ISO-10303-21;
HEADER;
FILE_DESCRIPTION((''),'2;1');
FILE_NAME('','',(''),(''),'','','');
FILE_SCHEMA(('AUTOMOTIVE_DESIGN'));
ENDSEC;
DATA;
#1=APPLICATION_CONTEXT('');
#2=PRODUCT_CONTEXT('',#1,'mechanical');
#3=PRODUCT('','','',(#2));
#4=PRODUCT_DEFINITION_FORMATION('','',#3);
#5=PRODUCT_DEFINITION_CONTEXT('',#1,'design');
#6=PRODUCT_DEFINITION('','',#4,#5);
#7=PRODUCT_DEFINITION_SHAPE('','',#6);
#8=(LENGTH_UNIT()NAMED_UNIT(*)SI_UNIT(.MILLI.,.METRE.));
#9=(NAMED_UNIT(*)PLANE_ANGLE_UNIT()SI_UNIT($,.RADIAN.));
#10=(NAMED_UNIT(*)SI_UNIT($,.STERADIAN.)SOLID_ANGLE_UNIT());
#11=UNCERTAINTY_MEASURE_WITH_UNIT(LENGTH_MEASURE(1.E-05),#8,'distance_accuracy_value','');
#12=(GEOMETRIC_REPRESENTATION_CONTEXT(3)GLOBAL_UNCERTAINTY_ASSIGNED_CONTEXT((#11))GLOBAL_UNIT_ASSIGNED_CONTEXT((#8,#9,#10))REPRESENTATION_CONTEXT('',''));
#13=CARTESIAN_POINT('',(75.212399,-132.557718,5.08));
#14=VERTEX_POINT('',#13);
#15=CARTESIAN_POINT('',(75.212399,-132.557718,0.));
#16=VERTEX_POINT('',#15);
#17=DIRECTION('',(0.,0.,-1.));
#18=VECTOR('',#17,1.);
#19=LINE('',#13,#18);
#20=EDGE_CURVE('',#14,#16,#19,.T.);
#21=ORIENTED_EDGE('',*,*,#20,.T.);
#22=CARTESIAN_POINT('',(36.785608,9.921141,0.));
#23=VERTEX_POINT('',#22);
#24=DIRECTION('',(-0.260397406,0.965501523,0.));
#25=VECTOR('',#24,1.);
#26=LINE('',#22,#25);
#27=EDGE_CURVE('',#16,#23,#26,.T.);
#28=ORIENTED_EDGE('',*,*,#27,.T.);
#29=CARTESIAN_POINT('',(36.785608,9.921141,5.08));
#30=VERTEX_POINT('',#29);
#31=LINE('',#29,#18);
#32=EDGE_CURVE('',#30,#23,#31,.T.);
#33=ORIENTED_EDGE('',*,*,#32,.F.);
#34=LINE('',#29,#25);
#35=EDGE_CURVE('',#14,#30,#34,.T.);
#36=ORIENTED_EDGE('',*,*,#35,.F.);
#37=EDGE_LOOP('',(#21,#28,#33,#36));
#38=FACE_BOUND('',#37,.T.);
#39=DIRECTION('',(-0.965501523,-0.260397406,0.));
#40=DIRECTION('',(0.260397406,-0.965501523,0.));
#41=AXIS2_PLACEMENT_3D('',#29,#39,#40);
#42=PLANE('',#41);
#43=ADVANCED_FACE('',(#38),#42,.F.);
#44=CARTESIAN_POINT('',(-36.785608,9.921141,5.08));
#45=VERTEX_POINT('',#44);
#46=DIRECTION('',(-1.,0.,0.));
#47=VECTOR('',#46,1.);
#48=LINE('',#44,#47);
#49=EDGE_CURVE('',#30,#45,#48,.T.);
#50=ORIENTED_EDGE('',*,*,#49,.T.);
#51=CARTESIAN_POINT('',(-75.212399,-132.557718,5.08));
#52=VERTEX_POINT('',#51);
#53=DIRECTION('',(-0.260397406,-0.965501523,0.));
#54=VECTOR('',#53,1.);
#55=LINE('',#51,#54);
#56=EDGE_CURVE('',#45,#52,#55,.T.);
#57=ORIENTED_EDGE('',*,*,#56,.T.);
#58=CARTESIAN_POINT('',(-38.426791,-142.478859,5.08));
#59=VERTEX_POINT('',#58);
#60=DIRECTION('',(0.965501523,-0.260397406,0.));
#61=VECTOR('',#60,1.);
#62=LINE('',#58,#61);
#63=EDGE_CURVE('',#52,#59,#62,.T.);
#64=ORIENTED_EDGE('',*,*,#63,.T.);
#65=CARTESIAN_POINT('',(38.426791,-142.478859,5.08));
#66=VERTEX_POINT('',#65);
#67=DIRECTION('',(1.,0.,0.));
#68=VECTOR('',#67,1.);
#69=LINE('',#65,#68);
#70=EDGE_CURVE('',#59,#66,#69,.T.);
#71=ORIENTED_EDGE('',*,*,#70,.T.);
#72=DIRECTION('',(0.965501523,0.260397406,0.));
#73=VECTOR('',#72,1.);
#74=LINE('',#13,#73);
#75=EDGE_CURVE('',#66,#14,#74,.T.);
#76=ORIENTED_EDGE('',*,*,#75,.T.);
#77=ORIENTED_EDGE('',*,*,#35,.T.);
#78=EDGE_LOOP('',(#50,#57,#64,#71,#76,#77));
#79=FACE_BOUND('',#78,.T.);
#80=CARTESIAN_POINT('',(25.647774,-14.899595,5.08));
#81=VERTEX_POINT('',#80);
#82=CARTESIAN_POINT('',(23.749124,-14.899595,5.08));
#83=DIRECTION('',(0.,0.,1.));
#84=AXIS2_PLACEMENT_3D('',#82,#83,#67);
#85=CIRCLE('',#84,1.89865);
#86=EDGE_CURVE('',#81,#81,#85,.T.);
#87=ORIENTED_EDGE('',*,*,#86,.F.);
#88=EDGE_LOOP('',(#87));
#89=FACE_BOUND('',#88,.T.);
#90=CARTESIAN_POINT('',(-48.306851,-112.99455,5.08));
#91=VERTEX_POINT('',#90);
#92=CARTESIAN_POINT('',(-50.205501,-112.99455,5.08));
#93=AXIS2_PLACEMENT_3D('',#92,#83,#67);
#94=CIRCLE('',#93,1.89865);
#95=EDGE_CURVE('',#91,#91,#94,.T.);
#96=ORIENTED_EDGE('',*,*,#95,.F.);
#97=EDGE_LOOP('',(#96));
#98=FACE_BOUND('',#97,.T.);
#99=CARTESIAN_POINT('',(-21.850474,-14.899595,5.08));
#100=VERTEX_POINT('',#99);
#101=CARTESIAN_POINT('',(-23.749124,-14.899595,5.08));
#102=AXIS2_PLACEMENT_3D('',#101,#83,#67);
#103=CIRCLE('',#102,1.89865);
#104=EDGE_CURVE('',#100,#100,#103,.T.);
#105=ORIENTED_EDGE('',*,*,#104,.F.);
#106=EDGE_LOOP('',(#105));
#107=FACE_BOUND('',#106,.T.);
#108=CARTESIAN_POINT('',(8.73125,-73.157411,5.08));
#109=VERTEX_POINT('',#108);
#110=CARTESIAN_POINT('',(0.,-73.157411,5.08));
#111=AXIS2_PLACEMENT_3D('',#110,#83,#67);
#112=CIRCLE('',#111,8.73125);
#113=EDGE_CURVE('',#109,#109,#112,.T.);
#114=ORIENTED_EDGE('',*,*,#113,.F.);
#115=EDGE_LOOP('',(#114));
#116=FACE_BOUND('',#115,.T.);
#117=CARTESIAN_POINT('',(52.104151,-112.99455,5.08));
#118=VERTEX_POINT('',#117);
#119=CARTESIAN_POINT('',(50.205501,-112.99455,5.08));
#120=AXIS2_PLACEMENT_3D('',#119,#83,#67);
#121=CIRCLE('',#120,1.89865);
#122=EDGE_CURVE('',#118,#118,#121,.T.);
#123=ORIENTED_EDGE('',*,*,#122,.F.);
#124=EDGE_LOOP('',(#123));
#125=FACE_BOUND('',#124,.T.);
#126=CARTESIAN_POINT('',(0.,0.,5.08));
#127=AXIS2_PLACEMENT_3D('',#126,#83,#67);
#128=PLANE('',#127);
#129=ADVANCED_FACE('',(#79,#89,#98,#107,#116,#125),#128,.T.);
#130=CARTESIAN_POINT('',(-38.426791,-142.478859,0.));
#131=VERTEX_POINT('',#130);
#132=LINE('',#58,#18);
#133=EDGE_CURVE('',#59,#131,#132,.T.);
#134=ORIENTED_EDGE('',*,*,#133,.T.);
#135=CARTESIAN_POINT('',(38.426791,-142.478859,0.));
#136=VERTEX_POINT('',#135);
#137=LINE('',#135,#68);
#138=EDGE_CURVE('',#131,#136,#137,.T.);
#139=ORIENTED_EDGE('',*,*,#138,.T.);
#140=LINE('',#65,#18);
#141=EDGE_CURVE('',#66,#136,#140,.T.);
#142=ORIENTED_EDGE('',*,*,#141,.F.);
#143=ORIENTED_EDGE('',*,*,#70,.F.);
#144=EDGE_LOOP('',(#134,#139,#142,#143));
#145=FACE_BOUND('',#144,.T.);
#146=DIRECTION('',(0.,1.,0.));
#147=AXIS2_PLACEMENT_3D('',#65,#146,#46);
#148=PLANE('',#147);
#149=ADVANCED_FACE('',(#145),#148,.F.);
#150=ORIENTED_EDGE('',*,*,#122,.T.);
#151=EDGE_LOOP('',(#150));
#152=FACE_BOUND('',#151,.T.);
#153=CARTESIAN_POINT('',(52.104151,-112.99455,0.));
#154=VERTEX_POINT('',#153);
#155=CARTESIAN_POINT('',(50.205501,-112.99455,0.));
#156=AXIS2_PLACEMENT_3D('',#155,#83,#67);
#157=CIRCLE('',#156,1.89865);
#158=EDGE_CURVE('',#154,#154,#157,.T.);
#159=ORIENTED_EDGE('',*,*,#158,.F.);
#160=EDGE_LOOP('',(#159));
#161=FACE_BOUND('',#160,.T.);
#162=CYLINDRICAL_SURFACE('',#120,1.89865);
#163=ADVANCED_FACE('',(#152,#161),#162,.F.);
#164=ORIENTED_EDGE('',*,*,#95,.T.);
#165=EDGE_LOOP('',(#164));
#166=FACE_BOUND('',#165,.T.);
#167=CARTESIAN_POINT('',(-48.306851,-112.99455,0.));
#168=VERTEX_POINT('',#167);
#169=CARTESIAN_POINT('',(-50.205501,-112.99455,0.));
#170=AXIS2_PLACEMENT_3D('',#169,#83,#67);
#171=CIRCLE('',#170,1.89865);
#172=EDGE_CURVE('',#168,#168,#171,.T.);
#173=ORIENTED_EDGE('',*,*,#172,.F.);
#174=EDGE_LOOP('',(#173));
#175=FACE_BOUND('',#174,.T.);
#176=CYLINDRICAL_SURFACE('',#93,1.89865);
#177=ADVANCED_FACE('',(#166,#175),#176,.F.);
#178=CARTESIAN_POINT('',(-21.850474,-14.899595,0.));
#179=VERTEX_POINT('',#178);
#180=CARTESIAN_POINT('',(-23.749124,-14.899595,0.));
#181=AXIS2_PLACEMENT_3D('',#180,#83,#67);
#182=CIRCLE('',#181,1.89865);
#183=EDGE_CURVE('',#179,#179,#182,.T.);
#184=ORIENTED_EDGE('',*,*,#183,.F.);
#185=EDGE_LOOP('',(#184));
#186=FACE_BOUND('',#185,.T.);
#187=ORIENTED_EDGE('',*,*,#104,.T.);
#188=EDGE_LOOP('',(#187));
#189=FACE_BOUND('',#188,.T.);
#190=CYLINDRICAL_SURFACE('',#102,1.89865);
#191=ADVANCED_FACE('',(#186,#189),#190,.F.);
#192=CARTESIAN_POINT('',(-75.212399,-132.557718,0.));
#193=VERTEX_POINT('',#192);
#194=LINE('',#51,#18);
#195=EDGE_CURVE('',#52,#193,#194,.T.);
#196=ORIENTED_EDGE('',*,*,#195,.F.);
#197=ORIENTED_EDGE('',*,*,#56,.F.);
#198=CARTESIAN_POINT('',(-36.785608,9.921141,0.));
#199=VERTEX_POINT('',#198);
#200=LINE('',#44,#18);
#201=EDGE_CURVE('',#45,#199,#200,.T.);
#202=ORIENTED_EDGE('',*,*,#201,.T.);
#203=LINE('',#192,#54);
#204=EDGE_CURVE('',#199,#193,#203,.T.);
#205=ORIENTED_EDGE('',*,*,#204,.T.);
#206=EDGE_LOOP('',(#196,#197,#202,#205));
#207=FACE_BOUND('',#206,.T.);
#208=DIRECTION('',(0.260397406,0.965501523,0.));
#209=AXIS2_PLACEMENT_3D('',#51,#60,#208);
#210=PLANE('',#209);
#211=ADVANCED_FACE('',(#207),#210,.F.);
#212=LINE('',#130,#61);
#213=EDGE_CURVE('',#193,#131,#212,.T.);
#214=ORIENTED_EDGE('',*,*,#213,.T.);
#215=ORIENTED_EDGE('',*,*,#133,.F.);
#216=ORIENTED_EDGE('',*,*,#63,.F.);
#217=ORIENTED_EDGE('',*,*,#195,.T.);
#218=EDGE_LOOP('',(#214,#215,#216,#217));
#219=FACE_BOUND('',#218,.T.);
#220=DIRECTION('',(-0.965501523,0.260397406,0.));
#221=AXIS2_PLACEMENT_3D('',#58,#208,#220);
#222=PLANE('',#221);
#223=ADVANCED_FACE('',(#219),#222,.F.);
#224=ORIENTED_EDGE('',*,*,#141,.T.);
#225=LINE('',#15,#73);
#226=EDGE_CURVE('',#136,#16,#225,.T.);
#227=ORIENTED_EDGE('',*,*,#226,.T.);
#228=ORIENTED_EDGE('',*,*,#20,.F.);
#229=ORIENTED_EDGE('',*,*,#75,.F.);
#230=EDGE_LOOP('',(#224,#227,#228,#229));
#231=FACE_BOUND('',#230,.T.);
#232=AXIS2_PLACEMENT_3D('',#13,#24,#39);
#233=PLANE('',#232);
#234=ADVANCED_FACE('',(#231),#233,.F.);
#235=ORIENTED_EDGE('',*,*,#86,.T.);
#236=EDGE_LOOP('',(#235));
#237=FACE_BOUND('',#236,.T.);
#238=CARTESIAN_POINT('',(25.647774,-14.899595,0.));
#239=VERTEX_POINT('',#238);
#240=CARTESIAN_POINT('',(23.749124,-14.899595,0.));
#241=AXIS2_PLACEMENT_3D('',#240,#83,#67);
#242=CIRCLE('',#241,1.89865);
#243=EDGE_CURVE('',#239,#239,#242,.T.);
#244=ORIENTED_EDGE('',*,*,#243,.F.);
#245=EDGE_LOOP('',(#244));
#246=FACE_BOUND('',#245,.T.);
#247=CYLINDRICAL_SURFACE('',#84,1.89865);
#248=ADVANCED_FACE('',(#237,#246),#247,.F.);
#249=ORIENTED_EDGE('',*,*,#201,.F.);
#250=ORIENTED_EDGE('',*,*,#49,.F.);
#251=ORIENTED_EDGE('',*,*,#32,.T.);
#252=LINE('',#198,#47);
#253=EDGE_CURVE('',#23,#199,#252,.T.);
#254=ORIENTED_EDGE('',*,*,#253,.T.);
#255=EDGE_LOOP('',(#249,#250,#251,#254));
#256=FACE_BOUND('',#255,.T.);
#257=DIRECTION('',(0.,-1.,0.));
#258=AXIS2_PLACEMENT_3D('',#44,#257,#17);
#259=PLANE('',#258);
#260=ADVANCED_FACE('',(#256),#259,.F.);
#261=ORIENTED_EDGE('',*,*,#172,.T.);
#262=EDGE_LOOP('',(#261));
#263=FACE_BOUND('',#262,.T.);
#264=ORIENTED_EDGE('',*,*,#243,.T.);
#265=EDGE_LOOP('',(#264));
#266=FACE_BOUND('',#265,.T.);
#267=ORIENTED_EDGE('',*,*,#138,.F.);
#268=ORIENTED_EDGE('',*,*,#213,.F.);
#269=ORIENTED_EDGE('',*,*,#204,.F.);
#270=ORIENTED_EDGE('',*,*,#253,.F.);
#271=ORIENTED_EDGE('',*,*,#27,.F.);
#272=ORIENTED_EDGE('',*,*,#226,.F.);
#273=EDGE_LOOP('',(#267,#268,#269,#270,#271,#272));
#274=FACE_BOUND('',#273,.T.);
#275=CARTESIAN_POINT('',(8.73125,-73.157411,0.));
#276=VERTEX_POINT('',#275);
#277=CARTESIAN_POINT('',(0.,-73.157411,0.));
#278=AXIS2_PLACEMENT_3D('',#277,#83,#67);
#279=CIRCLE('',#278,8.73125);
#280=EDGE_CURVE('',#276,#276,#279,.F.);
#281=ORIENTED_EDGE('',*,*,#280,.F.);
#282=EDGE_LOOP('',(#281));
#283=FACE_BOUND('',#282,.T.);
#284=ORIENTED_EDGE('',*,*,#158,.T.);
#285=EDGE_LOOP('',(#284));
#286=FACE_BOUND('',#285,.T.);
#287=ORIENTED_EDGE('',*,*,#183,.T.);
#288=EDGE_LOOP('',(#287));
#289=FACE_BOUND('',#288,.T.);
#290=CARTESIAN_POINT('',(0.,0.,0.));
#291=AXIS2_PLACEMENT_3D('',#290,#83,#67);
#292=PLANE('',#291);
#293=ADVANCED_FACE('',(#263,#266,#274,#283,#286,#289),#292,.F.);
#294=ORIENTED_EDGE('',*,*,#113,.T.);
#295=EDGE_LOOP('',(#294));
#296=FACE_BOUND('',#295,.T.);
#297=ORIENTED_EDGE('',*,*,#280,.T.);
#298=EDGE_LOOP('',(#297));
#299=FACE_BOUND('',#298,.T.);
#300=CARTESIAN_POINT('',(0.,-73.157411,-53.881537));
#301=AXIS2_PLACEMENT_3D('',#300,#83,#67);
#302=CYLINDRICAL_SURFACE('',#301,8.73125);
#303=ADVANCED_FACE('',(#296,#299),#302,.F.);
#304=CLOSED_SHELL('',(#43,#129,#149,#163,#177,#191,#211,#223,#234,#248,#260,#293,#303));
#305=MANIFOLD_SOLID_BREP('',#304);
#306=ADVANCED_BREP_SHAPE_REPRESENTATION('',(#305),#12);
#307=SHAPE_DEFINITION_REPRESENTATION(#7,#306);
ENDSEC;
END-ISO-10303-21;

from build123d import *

# Parameters (mm, degrees)
BOSS_EXTRUDE1_DEPTH   = 5.08
SKETCH2_R             = 19.05
SKETCH2_R_2           = 5.55625
CUT_EXTRUDE1_DEPTH    = 6.08
F_6_CLEARANCE_HOLE1_D = 3.7973
SKETCH5_R             = 19.05
SKETCH5_R_2           = 8.73125
SKETCH5_R_3           = 5.55625
BOSS_EXTRUDE2_DEPTH   = 5.08


with BuildPart() as part:
    # Sketch1 → Boss-Extrude1 (new body)
    with BuildSketch(Plane.XY):
        Polygon((-36.785608025, 9.921141176), (36.785608025, 9.921141176), (75.212399069, -132.557717648), (38.426791044, -142.478858824), (-38.426791044, -142.478858824), (-75.212399069, -132.557717648), align=None)
    extrude(amount=BOSS_EXTRUDE1_DEPTH)

    # Sketch2 → Cut-Extrude1 (cut, through all)
    with BuildSketch(Plane.XY.offset(5.08)):
        with Locations((0, -73.157410737)):
            Circle(SKETCH2_R)
        with Locations((-36.5125, -73.157410737)):
            Circle(SKETCH2_R_2)
        with Locations((36.5125, -73.157410737)):
            Circle(SKETCH2_R_2)
    extrude(amount=-CUT_EXTRUDE1_DEPTH, mode=Mode.SUBTRACT)

    # #6 Clearance Hole1 (through all)
    with Locations(Plane.XY.offset(5.08)):
        with Locations((50.205500939, -112.994549553), (-50.205500939, -112.994549553), (-23.749124469, -14.899594819), (23.749124469, -14.899594819)):
            Hole(F_6_CLEARANCE_HOLE1_D / 2)

    # Sketch5 → Boss-Extrude2 (add)
    with BuildSketch(Plane.XY.offset(5.08)):
        with Locations((0, -73.157410737)):
            Circle(SKETCH5_R)
        with Locations((0, -73.157410737)):
            Circle(SKETCH5_R_2, mode=Mode.SUBTRACT)
        with Locations((36.5125, -73.157410737)):
            Circle(SKETCH5_R_3)
        with Locations((-36.5125, -73.157410737)):
            Circle(SKETCH5_R_3)
    extrude(amount=-BOSS_EXTRUDE2_DEPTH)


solid = part.part
